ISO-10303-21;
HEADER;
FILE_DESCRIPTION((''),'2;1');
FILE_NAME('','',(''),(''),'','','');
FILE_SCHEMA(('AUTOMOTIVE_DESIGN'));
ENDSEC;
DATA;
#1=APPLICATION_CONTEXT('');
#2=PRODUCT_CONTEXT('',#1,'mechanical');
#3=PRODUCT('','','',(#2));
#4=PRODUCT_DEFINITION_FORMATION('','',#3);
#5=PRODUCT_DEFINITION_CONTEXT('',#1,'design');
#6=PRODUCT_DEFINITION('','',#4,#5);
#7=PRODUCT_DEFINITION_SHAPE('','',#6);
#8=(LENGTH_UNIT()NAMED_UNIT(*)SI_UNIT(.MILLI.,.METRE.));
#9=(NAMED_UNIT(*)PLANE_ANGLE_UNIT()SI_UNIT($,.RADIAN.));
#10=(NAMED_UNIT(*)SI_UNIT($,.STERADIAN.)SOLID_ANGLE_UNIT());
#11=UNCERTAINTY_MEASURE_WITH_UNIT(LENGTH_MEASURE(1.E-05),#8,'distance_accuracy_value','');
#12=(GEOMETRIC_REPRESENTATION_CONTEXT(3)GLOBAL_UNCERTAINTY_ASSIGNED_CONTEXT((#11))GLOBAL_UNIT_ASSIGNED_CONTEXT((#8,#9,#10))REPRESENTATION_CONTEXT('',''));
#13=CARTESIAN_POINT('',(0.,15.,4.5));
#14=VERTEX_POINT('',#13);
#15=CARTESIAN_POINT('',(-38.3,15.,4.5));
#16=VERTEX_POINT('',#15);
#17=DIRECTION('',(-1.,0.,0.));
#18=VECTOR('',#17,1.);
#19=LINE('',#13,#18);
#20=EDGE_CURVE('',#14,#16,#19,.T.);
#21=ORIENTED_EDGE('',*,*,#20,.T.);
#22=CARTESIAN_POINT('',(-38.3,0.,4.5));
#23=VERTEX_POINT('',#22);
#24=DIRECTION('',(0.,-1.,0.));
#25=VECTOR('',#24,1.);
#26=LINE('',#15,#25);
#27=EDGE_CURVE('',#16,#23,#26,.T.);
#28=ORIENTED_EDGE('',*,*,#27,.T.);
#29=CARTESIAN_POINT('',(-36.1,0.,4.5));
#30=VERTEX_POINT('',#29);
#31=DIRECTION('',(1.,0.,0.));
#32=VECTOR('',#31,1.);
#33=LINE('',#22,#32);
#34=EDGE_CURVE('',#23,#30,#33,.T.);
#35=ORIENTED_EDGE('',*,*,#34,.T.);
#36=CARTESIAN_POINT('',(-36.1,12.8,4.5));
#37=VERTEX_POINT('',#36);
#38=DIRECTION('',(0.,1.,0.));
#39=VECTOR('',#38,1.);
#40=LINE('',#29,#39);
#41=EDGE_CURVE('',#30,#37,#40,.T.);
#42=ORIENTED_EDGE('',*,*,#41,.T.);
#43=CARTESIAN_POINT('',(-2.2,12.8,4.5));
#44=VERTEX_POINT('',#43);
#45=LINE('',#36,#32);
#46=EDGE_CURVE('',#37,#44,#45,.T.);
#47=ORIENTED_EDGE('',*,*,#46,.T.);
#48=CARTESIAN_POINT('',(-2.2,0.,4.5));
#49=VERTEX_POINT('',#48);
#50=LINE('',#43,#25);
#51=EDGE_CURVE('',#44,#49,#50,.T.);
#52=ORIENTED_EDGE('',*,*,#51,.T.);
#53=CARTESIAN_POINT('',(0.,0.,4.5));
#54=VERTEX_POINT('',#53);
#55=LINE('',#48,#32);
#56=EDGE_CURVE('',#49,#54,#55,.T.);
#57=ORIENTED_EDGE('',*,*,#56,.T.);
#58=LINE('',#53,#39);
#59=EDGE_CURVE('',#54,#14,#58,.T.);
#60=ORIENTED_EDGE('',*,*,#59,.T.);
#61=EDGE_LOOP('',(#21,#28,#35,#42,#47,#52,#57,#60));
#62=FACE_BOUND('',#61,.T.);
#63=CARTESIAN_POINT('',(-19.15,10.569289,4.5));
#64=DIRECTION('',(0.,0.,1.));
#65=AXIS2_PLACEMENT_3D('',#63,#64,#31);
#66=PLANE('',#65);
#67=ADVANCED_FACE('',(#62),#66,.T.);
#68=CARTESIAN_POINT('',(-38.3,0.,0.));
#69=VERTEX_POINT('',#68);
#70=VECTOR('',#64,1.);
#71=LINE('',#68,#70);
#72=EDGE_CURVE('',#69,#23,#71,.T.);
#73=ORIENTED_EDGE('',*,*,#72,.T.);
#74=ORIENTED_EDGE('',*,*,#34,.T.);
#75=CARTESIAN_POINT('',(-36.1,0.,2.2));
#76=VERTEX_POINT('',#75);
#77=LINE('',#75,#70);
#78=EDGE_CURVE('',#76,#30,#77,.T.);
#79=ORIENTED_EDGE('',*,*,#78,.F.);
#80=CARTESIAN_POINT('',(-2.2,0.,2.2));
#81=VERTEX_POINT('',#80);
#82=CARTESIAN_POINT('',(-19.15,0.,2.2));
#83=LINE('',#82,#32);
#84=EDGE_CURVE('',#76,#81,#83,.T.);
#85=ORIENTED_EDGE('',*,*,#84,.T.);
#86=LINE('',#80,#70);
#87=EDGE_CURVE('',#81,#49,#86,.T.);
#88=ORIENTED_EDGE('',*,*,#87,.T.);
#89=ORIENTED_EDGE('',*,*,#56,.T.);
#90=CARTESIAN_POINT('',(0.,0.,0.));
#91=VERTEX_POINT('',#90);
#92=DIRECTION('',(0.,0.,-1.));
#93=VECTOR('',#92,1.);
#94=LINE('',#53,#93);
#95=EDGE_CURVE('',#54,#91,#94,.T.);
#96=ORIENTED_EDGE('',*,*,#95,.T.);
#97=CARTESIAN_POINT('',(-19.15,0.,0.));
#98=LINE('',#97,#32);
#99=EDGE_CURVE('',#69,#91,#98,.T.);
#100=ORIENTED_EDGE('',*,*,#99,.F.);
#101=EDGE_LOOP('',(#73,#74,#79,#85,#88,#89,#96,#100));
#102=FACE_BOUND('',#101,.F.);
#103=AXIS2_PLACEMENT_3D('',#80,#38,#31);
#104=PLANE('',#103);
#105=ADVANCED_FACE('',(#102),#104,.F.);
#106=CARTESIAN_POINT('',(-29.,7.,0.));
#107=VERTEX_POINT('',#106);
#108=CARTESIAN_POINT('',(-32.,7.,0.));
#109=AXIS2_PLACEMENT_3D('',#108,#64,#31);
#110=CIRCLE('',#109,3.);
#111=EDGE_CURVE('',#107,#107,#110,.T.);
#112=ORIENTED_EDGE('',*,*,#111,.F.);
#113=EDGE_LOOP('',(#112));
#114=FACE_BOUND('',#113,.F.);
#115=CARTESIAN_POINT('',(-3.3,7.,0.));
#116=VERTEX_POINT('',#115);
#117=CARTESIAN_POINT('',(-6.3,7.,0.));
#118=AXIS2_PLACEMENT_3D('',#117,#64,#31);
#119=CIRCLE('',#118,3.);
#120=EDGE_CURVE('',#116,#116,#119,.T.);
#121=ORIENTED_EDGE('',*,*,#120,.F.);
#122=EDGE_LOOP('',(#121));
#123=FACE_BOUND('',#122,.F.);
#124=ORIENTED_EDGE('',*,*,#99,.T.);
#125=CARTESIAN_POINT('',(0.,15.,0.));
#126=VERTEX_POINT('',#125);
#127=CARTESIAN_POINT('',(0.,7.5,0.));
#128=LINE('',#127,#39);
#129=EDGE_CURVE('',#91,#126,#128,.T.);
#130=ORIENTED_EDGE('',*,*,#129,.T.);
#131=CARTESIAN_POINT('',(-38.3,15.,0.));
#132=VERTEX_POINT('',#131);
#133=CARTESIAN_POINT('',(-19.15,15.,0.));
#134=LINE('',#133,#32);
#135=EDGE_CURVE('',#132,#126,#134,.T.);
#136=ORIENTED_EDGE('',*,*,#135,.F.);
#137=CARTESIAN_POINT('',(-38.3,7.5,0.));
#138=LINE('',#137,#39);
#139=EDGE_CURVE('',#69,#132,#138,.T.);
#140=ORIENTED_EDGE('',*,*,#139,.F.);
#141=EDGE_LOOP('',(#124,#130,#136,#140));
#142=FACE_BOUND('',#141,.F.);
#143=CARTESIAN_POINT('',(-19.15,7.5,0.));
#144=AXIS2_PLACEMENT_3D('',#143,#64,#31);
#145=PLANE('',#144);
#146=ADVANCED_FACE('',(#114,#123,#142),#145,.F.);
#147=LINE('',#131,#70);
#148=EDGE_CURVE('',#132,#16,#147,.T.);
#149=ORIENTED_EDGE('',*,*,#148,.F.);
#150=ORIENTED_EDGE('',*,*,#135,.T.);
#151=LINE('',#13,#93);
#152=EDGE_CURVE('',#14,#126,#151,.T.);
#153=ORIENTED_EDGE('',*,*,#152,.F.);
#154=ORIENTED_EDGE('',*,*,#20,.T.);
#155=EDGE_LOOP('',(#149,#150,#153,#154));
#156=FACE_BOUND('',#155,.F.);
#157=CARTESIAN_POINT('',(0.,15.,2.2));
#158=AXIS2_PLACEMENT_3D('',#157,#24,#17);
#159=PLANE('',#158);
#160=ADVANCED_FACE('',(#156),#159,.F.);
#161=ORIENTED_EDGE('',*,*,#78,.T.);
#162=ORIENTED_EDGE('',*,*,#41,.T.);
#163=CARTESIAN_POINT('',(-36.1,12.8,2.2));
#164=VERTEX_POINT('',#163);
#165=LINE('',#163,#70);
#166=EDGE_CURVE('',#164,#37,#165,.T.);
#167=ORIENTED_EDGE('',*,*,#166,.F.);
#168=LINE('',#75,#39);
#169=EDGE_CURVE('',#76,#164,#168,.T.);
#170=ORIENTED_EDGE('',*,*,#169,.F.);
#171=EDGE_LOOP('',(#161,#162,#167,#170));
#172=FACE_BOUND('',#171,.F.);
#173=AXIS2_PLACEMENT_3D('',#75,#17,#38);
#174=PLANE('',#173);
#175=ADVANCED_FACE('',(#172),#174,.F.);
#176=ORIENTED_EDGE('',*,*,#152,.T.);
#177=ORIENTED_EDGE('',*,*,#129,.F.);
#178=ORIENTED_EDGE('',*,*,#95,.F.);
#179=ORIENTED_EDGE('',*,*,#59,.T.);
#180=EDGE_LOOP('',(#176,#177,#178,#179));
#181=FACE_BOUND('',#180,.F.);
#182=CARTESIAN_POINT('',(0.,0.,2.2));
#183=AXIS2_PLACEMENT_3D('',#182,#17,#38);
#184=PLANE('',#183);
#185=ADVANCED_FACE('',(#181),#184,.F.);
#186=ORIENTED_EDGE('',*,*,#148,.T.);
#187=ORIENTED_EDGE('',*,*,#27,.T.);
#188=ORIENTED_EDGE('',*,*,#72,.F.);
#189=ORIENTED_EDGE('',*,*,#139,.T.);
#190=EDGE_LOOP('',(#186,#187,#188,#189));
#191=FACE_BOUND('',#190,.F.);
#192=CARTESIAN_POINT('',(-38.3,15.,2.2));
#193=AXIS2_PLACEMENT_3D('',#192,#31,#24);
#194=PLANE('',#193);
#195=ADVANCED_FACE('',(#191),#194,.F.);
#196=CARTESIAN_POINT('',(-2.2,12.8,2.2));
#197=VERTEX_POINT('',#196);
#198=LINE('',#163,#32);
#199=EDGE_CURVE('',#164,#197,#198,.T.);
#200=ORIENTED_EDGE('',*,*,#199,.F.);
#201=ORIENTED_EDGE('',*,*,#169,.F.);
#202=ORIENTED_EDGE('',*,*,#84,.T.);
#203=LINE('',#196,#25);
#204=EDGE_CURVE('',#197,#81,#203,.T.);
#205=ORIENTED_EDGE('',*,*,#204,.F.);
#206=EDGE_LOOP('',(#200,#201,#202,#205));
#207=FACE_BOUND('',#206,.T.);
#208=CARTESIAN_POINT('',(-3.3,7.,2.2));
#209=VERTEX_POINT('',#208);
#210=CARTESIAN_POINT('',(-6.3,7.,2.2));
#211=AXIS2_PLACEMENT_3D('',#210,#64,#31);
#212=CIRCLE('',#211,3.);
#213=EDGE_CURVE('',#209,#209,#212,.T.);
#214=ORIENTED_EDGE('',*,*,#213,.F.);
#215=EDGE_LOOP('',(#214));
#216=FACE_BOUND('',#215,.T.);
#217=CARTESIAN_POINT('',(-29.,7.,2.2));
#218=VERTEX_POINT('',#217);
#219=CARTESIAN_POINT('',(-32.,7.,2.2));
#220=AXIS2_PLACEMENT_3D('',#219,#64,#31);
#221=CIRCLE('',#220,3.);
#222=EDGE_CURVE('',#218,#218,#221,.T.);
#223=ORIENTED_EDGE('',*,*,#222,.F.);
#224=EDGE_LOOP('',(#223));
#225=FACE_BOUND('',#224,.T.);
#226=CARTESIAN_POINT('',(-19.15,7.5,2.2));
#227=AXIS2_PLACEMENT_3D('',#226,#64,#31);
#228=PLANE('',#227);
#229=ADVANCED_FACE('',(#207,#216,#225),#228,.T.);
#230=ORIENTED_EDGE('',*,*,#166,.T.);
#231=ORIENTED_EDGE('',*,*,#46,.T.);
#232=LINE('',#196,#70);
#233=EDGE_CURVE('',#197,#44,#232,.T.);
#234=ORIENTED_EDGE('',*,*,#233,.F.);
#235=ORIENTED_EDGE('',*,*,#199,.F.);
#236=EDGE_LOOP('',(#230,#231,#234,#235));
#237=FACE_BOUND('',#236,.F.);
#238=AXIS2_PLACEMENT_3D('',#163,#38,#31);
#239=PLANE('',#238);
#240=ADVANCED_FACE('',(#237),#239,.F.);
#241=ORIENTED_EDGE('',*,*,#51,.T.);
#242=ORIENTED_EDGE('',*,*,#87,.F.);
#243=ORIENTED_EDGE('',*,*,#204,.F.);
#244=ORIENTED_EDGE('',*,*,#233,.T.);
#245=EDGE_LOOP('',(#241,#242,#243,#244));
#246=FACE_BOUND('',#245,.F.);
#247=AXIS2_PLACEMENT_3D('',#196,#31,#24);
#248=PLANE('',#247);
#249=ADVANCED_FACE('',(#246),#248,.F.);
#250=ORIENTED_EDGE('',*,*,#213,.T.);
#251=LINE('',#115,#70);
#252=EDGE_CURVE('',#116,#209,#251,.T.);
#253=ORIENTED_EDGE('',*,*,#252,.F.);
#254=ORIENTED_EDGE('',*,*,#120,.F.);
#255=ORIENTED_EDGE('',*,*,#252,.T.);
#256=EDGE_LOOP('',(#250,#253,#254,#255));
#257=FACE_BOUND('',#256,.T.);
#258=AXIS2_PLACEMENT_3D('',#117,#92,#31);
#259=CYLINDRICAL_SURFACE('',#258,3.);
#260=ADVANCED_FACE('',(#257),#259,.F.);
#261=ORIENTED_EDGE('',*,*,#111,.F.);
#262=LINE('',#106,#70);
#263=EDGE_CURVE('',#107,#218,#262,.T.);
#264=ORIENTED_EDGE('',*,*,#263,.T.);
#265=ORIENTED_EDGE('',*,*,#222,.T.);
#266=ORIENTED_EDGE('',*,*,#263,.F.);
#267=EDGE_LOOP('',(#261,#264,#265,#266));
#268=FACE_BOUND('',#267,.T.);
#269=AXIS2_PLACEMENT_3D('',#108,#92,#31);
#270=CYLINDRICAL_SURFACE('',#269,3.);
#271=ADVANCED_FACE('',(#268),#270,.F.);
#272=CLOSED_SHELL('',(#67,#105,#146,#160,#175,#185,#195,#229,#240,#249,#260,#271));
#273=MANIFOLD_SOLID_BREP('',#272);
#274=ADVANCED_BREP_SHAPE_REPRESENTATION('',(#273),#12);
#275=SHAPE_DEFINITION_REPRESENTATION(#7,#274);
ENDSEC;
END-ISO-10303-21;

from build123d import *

# Parameters (mm, degrees)
F0_W     = 38.3
F0_H     = 15
F0_R     = 3
F1_DEPTH = 2.2
F3_DEPTH = 2.3


with BuildPart() as f1:
    # F0 (on Top) → F1 (new body)
    with BuildSketch(Plane.XY):
        with Locations((-19.15, 7.5)):
            Rectangle(F0_W, F0_H)
        with Locations((-32, 7)):
            Circle(F0_R, mode=Mode.SUBTRACT)
        with Locations((-6.3, 7)):
            Circle(F0_R, mode=Mode.SUBTRACT)
    extrude(amount=F1_DEPTH)

    # F2 (on face) → F3 (join)
    with BuildSketch(Plane.XY.offset(2.2)):
        Polygon((0, 15), (-38.3, 15), (-38.3, 0), (-36.1, 0), (-36.1, 12.8), (-2.2, 12.8), (-2.2, 0), (0, 0), align=None)
    extrude(amount=F3_DEPTH)


solid = f1.part
